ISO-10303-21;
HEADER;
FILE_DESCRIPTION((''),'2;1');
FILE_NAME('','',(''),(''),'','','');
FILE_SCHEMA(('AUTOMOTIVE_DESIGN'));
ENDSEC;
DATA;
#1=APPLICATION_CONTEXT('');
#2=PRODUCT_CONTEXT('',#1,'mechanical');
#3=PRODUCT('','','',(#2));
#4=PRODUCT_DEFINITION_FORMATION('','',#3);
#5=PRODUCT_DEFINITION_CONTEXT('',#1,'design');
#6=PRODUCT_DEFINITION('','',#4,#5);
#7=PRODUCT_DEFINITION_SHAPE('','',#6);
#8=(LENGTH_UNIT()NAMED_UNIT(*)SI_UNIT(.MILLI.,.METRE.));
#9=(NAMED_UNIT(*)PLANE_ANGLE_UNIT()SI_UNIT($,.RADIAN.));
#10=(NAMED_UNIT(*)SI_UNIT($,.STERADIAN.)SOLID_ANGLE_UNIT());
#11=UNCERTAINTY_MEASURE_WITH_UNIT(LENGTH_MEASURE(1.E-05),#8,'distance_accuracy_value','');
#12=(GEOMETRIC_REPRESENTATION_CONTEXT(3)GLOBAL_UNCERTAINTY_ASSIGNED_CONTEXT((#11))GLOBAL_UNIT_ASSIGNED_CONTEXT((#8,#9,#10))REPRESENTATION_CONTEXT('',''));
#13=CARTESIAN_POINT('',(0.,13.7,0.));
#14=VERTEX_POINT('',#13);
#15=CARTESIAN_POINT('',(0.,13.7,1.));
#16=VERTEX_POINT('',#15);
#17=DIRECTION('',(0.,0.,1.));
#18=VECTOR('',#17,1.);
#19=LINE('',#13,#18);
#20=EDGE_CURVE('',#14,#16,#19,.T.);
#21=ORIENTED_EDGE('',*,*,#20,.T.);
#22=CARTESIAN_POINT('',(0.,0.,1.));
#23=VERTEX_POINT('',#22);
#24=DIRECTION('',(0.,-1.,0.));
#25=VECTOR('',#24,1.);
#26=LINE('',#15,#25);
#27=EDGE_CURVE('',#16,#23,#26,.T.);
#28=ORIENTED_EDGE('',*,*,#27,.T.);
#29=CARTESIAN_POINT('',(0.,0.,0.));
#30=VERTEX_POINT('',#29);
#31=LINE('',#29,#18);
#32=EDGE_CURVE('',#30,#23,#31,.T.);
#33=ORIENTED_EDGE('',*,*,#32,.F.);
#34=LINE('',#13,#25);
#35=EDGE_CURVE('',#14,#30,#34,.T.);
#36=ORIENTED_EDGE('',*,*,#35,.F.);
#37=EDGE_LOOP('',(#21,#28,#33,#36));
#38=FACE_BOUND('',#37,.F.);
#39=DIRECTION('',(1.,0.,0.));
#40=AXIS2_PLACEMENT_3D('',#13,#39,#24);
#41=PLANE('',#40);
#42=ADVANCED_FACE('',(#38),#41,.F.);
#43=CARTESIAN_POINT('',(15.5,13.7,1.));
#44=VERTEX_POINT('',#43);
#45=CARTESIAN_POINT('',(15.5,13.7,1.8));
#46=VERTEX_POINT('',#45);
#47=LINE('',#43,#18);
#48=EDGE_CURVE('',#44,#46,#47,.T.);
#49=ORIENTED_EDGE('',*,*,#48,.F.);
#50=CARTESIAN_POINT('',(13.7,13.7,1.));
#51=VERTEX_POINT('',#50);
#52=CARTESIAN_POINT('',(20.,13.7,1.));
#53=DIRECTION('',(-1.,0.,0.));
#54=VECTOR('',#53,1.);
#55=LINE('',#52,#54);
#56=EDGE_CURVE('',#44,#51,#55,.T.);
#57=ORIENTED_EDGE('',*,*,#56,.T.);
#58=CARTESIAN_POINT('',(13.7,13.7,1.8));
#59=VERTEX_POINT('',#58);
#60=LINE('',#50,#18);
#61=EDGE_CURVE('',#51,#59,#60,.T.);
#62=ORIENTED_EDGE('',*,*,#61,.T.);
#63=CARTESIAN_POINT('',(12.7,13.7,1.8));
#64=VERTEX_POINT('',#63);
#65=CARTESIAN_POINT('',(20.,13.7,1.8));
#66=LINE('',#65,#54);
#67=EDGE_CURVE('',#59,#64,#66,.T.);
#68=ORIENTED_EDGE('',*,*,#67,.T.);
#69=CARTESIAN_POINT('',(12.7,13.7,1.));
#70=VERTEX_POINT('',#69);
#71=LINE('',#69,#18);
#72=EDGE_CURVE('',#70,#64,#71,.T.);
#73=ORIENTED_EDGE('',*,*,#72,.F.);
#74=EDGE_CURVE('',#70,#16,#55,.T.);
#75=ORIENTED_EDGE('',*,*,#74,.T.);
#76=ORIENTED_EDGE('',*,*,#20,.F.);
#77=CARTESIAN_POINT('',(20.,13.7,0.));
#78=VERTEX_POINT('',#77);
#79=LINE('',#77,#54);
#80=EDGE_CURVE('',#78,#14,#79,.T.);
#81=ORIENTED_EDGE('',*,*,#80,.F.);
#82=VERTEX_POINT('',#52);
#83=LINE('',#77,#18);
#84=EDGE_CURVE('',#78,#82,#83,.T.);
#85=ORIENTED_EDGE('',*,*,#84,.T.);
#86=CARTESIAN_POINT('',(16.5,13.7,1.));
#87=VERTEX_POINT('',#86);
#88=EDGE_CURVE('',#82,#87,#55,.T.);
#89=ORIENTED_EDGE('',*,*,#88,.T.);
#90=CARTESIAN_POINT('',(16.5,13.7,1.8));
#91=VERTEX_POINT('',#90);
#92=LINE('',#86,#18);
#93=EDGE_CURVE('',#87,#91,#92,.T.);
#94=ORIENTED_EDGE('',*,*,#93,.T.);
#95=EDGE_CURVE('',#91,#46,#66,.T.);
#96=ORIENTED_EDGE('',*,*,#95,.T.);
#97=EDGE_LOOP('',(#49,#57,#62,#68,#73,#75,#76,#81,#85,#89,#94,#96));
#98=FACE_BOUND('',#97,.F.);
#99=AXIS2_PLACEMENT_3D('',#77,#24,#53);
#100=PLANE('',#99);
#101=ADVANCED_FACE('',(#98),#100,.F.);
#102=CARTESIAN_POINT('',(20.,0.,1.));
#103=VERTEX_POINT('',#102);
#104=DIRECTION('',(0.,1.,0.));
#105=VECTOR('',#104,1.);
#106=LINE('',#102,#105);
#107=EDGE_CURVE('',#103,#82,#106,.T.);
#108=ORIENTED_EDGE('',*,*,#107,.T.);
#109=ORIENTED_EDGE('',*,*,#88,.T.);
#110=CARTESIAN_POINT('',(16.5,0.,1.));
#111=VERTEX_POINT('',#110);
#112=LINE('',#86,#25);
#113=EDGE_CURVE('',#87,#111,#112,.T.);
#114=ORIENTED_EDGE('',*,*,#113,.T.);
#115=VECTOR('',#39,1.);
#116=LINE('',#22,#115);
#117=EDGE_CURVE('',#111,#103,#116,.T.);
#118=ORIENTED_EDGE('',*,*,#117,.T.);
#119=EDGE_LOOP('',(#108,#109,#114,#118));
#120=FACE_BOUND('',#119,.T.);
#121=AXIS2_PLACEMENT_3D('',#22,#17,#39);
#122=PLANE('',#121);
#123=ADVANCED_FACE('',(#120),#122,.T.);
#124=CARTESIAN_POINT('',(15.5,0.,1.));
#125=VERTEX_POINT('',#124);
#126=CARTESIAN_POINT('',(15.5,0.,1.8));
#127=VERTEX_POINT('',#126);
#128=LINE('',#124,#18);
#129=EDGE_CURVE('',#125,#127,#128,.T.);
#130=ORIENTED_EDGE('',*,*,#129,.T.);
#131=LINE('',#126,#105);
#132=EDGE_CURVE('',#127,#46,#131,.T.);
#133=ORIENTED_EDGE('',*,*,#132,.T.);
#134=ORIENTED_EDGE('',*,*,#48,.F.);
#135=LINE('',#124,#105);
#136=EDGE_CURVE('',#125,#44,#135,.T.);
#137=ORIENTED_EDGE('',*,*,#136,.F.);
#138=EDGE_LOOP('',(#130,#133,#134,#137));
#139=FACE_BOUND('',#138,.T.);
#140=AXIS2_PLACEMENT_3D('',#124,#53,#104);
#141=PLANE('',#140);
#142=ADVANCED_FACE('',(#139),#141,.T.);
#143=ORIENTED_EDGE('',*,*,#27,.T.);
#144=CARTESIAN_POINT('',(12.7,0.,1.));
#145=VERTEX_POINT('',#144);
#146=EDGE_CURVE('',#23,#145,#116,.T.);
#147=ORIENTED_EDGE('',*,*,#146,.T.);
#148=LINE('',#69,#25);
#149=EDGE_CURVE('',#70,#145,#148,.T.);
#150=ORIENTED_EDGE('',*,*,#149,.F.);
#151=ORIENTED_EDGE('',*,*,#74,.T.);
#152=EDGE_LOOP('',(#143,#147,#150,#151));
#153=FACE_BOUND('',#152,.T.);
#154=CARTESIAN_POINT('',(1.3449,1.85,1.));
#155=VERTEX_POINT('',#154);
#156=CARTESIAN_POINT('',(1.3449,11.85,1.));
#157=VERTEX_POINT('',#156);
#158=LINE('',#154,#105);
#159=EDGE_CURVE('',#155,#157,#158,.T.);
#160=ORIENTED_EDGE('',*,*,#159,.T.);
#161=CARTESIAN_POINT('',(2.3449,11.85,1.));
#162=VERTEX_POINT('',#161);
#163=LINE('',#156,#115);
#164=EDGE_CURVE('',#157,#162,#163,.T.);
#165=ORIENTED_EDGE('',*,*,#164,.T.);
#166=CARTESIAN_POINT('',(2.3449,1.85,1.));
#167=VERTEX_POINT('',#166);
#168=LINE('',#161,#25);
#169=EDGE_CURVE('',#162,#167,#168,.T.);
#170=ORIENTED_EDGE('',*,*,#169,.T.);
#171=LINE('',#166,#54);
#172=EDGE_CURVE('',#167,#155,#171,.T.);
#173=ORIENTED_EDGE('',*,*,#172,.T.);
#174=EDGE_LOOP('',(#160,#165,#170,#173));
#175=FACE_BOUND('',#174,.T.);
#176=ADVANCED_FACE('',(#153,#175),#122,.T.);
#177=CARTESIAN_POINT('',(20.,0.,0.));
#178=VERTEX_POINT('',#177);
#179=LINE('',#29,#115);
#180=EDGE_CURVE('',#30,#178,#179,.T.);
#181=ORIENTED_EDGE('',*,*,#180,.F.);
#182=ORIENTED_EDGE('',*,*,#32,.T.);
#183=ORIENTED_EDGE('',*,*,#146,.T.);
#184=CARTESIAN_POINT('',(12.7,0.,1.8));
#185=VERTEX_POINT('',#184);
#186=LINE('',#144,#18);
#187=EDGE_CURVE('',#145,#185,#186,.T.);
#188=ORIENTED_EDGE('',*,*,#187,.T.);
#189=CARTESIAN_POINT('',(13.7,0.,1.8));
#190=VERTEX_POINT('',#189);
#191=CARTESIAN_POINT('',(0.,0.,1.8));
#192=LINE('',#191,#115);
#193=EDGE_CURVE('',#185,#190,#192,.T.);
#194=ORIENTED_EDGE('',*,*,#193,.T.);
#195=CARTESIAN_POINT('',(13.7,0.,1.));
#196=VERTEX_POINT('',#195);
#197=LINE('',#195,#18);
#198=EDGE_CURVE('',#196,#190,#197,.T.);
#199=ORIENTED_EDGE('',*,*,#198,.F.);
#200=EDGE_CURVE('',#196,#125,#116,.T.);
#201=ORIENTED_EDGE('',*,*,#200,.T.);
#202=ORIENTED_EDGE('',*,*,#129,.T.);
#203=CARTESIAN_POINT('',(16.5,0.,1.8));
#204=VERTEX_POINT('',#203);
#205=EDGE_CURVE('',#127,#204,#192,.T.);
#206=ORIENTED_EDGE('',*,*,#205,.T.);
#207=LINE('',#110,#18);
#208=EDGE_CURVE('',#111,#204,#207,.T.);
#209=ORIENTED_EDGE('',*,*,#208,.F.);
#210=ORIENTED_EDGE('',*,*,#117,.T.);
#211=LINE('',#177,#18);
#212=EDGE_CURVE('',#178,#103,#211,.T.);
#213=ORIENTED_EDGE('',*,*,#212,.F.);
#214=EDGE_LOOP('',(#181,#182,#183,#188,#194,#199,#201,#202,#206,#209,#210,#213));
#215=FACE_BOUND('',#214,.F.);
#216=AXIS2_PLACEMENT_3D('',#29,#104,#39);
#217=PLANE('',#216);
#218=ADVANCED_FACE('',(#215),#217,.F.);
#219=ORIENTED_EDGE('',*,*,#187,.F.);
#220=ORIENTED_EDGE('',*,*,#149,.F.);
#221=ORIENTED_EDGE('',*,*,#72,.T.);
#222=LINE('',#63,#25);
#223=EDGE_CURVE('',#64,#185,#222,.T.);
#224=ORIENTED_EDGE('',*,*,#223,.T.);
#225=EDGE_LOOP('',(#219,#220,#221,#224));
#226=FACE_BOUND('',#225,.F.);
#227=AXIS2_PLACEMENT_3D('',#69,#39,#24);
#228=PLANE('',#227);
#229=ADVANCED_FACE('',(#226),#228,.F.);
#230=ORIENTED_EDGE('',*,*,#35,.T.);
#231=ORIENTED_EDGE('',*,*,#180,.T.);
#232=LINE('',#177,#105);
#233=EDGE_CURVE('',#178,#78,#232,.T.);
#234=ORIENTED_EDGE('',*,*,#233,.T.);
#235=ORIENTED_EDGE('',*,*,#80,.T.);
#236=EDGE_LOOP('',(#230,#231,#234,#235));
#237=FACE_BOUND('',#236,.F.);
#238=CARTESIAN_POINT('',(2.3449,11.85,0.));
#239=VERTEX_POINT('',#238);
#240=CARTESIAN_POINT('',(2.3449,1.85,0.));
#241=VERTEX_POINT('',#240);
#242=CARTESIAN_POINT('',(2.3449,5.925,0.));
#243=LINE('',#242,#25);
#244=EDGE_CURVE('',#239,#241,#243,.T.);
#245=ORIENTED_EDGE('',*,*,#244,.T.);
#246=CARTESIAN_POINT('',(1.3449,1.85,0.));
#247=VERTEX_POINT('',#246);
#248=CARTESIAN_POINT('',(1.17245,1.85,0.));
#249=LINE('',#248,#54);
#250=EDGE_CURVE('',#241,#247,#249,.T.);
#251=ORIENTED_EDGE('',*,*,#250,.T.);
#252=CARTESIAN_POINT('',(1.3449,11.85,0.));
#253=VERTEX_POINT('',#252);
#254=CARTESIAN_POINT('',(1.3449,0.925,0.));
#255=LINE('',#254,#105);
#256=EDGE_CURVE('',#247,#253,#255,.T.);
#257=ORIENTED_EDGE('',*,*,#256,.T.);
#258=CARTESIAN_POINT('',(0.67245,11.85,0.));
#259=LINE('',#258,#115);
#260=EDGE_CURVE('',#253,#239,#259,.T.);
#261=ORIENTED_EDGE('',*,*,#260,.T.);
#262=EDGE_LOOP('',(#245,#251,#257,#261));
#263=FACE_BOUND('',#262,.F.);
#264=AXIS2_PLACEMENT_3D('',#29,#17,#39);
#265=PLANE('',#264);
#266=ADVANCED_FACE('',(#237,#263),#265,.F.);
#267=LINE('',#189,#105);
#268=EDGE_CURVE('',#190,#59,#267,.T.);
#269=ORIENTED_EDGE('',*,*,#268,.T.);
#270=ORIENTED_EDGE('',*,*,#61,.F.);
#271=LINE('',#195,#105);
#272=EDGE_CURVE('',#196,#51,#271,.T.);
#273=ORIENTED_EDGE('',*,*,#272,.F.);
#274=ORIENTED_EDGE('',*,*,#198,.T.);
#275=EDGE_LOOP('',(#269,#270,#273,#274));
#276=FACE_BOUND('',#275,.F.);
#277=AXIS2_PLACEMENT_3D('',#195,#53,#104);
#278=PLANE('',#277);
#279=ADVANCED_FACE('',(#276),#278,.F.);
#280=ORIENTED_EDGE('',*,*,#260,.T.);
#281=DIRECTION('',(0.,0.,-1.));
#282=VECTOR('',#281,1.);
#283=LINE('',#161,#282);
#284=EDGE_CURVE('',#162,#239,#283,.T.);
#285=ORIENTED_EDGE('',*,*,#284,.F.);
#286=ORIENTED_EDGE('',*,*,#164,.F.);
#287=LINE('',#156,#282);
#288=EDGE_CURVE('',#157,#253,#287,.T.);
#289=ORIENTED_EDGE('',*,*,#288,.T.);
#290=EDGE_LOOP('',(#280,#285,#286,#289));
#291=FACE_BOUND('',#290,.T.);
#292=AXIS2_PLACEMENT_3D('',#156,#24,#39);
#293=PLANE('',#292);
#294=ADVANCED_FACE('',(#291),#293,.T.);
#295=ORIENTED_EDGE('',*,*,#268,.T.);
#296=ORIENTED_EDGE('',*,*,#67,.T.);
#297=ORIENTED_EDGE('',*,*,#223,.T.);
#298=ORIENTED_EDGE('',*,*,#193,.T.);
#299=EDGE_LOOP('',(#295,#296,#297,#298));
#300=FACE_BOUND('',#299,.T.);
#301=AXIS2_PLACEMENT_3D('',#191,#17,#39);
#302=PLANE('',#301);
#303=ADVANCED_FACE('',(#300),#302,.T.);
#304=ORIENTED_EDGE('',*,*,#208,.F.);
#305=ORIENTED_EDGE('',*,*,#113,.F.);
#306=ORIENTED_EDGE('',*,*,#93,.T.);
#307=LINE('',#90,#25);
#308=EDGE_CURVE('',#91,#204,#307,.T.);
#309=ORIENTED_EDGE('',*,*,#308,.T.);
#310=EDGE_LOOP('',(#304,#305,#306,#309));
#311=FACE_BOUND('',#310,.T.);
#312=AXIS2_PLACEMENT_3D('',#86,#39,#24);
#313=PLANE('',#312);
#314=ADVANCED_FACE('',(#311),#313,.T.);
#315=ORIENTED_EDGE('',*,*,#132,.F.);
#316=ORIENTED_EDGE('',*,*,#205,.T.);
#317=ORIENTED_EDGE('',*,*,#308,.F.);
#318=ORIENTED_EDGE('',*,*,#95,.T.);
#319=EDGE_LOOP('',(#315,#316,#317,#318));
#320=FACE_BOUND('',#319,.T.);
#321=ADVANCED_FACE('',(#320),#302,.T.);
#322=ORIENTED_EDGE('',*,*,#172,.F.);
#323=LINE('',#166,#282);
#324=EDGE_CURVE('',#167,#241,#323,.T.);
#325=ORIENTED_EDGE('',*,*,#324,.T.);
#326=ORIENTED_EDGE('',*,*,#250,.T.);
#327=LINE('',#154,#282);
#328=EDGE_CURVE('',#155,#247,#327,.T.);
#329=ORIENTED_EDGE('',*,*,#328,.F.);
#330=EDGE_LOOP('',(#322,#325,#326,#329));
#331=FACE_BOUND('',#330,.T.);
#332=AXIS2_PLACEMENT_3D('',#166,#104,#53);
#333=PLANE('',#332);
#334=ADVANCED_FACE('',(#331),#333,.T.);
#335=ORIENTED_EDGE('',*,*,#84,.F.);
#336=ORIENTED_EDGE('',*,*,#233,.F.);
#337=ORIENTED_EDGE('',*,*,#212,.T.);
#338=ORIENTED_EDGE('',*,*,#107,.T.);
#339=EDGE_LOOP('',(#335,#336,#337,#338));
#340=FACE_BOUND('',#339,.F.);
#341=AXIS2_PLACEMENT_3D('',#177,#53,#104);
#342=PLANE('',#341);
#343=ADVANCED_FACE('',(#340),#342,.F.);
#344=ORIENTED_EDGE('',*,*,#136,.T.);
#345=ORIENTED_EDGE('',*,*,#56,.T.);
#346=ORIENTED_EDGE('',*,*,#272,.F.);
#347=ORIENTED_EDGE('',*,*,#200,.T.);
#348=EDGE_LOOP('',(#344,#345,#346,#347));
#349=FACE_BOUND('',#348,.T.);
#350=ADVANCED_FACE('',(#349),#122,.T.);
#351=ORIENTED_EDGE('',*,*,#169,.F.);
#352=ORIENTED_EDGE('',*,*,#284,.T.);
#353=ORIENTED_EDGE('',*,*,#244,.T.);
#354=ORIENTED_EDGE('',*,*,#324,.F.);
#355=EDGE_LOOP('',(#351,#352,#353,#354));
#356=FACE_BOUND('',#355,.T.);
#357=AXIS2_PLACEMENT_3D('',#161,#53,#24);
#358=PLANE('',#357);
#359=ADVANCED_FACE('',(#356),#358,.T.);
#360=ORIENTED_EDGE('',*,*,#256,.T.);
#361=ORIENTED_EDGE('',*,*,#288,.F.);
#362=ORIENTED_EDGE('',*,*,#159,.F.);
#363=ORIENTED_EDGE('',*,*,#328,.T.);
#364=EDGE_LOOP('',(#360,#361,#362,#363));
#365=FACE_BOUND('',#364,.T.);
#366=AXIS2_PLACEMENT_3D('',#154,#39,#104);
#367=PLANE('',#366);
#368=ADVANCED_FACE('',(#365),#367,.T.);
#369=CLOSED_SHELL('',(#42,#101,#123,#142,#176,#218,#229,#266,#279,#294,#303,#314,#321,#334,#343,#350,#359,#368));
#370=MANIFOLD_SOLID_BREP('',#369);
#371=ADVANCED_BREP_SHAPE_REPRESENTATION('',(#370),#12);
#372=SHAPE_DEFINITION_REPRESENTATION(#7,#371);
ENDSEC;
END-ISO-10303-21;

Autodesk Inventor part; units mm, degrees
ref_plane "YZ Plane" through (0, 0, 0) normal (1, 0, 0) x (0, 1, 0)
ref_plane "XZ Plane" through (0, 0, 0) normal (0, 1, 0) x (-1, 0, 0)
ref_plane "XY Plane" through (0, 0, 0) normal (0, 0, 1) x (1, 0, 0)
sketch "Sketch1" plane through (0, 0, 0) normal (0, 0, 1) x (1, 0, 0)
  line L0 (0, 0) -> (20, 0)
  line L1 (20, 0) -> (20, 13.7)
  line L2 (20, 13.7) -> (0, 13.7)
  line L3 (0, 13.7) -> (0, 0)
  dimension "d0" = 20
  dimension "d1" = 13.7
extrude "Extrusion1" add sketch "Sketch1" along normal blind 1
sketch "Sketch2" plane through (0, 0, 1) normal (0, 0, 1) x (1, 0, 0)
  line L0 (0, 0) -> (20, 0) projected
  line L1 (20, 13.7) -> (0, 13.7) projected
  line L2 (13.7, 13.7) -> (12.7, 13.7)
  line L3 (12.7, 13.7) -> (12.7, 0)
  line L4 (12.7, 0) -> (13.7, 0)
  line L5 (13.7, 0) -> (13.7, 13.7)
  line L6 (15.5, 13.7) -> (16.5, 13.7)
  line L7 (16.5, 13.7) -> (16.5, 0)
  line L8 (16.5, 0) -> (15.5, 0)
  line L9 (15.5, 0) -> (15.5, 13.7)
  dimension "d4" = 1
  dimension "d5" = 1
  dimension "d6" = 1.8
  dimension "d9" = 3.5
extrude "Extrusion2" add sketch "Sketch2" along normal blind 0.8 contours L3 L1 L5 L0 | L9 L1 L7 L0
sketch "Sketch3" plane through (0, 0, 1) normal (0, 0, 1) x (1, 0, 0)
  line L0 (2.3449, 1.85) -> (1.3449, 1.85)
  line L1 (1.3449, 1.85) -> (1.3449, 11.85)
  line L2 (1.3449, 11.85) -> (2.3449, 11.85)
  line L3 (2.3449, 11.85) -> (2.3449, 1.85)
  line L4 (12.7, 13.7) -> (0, 13.7) projected
  line L5 (0, 0) -> (12.7, 0) projected
  dimension "d10" = 1
  dimension "d11" = 10
  dimension "d14" = 1.85
  dimension "d15" = 1.85
extrude "Extrusion3" cut sketch "Sketch3" against normal blind 10
properties part number "Zijkant 4"
